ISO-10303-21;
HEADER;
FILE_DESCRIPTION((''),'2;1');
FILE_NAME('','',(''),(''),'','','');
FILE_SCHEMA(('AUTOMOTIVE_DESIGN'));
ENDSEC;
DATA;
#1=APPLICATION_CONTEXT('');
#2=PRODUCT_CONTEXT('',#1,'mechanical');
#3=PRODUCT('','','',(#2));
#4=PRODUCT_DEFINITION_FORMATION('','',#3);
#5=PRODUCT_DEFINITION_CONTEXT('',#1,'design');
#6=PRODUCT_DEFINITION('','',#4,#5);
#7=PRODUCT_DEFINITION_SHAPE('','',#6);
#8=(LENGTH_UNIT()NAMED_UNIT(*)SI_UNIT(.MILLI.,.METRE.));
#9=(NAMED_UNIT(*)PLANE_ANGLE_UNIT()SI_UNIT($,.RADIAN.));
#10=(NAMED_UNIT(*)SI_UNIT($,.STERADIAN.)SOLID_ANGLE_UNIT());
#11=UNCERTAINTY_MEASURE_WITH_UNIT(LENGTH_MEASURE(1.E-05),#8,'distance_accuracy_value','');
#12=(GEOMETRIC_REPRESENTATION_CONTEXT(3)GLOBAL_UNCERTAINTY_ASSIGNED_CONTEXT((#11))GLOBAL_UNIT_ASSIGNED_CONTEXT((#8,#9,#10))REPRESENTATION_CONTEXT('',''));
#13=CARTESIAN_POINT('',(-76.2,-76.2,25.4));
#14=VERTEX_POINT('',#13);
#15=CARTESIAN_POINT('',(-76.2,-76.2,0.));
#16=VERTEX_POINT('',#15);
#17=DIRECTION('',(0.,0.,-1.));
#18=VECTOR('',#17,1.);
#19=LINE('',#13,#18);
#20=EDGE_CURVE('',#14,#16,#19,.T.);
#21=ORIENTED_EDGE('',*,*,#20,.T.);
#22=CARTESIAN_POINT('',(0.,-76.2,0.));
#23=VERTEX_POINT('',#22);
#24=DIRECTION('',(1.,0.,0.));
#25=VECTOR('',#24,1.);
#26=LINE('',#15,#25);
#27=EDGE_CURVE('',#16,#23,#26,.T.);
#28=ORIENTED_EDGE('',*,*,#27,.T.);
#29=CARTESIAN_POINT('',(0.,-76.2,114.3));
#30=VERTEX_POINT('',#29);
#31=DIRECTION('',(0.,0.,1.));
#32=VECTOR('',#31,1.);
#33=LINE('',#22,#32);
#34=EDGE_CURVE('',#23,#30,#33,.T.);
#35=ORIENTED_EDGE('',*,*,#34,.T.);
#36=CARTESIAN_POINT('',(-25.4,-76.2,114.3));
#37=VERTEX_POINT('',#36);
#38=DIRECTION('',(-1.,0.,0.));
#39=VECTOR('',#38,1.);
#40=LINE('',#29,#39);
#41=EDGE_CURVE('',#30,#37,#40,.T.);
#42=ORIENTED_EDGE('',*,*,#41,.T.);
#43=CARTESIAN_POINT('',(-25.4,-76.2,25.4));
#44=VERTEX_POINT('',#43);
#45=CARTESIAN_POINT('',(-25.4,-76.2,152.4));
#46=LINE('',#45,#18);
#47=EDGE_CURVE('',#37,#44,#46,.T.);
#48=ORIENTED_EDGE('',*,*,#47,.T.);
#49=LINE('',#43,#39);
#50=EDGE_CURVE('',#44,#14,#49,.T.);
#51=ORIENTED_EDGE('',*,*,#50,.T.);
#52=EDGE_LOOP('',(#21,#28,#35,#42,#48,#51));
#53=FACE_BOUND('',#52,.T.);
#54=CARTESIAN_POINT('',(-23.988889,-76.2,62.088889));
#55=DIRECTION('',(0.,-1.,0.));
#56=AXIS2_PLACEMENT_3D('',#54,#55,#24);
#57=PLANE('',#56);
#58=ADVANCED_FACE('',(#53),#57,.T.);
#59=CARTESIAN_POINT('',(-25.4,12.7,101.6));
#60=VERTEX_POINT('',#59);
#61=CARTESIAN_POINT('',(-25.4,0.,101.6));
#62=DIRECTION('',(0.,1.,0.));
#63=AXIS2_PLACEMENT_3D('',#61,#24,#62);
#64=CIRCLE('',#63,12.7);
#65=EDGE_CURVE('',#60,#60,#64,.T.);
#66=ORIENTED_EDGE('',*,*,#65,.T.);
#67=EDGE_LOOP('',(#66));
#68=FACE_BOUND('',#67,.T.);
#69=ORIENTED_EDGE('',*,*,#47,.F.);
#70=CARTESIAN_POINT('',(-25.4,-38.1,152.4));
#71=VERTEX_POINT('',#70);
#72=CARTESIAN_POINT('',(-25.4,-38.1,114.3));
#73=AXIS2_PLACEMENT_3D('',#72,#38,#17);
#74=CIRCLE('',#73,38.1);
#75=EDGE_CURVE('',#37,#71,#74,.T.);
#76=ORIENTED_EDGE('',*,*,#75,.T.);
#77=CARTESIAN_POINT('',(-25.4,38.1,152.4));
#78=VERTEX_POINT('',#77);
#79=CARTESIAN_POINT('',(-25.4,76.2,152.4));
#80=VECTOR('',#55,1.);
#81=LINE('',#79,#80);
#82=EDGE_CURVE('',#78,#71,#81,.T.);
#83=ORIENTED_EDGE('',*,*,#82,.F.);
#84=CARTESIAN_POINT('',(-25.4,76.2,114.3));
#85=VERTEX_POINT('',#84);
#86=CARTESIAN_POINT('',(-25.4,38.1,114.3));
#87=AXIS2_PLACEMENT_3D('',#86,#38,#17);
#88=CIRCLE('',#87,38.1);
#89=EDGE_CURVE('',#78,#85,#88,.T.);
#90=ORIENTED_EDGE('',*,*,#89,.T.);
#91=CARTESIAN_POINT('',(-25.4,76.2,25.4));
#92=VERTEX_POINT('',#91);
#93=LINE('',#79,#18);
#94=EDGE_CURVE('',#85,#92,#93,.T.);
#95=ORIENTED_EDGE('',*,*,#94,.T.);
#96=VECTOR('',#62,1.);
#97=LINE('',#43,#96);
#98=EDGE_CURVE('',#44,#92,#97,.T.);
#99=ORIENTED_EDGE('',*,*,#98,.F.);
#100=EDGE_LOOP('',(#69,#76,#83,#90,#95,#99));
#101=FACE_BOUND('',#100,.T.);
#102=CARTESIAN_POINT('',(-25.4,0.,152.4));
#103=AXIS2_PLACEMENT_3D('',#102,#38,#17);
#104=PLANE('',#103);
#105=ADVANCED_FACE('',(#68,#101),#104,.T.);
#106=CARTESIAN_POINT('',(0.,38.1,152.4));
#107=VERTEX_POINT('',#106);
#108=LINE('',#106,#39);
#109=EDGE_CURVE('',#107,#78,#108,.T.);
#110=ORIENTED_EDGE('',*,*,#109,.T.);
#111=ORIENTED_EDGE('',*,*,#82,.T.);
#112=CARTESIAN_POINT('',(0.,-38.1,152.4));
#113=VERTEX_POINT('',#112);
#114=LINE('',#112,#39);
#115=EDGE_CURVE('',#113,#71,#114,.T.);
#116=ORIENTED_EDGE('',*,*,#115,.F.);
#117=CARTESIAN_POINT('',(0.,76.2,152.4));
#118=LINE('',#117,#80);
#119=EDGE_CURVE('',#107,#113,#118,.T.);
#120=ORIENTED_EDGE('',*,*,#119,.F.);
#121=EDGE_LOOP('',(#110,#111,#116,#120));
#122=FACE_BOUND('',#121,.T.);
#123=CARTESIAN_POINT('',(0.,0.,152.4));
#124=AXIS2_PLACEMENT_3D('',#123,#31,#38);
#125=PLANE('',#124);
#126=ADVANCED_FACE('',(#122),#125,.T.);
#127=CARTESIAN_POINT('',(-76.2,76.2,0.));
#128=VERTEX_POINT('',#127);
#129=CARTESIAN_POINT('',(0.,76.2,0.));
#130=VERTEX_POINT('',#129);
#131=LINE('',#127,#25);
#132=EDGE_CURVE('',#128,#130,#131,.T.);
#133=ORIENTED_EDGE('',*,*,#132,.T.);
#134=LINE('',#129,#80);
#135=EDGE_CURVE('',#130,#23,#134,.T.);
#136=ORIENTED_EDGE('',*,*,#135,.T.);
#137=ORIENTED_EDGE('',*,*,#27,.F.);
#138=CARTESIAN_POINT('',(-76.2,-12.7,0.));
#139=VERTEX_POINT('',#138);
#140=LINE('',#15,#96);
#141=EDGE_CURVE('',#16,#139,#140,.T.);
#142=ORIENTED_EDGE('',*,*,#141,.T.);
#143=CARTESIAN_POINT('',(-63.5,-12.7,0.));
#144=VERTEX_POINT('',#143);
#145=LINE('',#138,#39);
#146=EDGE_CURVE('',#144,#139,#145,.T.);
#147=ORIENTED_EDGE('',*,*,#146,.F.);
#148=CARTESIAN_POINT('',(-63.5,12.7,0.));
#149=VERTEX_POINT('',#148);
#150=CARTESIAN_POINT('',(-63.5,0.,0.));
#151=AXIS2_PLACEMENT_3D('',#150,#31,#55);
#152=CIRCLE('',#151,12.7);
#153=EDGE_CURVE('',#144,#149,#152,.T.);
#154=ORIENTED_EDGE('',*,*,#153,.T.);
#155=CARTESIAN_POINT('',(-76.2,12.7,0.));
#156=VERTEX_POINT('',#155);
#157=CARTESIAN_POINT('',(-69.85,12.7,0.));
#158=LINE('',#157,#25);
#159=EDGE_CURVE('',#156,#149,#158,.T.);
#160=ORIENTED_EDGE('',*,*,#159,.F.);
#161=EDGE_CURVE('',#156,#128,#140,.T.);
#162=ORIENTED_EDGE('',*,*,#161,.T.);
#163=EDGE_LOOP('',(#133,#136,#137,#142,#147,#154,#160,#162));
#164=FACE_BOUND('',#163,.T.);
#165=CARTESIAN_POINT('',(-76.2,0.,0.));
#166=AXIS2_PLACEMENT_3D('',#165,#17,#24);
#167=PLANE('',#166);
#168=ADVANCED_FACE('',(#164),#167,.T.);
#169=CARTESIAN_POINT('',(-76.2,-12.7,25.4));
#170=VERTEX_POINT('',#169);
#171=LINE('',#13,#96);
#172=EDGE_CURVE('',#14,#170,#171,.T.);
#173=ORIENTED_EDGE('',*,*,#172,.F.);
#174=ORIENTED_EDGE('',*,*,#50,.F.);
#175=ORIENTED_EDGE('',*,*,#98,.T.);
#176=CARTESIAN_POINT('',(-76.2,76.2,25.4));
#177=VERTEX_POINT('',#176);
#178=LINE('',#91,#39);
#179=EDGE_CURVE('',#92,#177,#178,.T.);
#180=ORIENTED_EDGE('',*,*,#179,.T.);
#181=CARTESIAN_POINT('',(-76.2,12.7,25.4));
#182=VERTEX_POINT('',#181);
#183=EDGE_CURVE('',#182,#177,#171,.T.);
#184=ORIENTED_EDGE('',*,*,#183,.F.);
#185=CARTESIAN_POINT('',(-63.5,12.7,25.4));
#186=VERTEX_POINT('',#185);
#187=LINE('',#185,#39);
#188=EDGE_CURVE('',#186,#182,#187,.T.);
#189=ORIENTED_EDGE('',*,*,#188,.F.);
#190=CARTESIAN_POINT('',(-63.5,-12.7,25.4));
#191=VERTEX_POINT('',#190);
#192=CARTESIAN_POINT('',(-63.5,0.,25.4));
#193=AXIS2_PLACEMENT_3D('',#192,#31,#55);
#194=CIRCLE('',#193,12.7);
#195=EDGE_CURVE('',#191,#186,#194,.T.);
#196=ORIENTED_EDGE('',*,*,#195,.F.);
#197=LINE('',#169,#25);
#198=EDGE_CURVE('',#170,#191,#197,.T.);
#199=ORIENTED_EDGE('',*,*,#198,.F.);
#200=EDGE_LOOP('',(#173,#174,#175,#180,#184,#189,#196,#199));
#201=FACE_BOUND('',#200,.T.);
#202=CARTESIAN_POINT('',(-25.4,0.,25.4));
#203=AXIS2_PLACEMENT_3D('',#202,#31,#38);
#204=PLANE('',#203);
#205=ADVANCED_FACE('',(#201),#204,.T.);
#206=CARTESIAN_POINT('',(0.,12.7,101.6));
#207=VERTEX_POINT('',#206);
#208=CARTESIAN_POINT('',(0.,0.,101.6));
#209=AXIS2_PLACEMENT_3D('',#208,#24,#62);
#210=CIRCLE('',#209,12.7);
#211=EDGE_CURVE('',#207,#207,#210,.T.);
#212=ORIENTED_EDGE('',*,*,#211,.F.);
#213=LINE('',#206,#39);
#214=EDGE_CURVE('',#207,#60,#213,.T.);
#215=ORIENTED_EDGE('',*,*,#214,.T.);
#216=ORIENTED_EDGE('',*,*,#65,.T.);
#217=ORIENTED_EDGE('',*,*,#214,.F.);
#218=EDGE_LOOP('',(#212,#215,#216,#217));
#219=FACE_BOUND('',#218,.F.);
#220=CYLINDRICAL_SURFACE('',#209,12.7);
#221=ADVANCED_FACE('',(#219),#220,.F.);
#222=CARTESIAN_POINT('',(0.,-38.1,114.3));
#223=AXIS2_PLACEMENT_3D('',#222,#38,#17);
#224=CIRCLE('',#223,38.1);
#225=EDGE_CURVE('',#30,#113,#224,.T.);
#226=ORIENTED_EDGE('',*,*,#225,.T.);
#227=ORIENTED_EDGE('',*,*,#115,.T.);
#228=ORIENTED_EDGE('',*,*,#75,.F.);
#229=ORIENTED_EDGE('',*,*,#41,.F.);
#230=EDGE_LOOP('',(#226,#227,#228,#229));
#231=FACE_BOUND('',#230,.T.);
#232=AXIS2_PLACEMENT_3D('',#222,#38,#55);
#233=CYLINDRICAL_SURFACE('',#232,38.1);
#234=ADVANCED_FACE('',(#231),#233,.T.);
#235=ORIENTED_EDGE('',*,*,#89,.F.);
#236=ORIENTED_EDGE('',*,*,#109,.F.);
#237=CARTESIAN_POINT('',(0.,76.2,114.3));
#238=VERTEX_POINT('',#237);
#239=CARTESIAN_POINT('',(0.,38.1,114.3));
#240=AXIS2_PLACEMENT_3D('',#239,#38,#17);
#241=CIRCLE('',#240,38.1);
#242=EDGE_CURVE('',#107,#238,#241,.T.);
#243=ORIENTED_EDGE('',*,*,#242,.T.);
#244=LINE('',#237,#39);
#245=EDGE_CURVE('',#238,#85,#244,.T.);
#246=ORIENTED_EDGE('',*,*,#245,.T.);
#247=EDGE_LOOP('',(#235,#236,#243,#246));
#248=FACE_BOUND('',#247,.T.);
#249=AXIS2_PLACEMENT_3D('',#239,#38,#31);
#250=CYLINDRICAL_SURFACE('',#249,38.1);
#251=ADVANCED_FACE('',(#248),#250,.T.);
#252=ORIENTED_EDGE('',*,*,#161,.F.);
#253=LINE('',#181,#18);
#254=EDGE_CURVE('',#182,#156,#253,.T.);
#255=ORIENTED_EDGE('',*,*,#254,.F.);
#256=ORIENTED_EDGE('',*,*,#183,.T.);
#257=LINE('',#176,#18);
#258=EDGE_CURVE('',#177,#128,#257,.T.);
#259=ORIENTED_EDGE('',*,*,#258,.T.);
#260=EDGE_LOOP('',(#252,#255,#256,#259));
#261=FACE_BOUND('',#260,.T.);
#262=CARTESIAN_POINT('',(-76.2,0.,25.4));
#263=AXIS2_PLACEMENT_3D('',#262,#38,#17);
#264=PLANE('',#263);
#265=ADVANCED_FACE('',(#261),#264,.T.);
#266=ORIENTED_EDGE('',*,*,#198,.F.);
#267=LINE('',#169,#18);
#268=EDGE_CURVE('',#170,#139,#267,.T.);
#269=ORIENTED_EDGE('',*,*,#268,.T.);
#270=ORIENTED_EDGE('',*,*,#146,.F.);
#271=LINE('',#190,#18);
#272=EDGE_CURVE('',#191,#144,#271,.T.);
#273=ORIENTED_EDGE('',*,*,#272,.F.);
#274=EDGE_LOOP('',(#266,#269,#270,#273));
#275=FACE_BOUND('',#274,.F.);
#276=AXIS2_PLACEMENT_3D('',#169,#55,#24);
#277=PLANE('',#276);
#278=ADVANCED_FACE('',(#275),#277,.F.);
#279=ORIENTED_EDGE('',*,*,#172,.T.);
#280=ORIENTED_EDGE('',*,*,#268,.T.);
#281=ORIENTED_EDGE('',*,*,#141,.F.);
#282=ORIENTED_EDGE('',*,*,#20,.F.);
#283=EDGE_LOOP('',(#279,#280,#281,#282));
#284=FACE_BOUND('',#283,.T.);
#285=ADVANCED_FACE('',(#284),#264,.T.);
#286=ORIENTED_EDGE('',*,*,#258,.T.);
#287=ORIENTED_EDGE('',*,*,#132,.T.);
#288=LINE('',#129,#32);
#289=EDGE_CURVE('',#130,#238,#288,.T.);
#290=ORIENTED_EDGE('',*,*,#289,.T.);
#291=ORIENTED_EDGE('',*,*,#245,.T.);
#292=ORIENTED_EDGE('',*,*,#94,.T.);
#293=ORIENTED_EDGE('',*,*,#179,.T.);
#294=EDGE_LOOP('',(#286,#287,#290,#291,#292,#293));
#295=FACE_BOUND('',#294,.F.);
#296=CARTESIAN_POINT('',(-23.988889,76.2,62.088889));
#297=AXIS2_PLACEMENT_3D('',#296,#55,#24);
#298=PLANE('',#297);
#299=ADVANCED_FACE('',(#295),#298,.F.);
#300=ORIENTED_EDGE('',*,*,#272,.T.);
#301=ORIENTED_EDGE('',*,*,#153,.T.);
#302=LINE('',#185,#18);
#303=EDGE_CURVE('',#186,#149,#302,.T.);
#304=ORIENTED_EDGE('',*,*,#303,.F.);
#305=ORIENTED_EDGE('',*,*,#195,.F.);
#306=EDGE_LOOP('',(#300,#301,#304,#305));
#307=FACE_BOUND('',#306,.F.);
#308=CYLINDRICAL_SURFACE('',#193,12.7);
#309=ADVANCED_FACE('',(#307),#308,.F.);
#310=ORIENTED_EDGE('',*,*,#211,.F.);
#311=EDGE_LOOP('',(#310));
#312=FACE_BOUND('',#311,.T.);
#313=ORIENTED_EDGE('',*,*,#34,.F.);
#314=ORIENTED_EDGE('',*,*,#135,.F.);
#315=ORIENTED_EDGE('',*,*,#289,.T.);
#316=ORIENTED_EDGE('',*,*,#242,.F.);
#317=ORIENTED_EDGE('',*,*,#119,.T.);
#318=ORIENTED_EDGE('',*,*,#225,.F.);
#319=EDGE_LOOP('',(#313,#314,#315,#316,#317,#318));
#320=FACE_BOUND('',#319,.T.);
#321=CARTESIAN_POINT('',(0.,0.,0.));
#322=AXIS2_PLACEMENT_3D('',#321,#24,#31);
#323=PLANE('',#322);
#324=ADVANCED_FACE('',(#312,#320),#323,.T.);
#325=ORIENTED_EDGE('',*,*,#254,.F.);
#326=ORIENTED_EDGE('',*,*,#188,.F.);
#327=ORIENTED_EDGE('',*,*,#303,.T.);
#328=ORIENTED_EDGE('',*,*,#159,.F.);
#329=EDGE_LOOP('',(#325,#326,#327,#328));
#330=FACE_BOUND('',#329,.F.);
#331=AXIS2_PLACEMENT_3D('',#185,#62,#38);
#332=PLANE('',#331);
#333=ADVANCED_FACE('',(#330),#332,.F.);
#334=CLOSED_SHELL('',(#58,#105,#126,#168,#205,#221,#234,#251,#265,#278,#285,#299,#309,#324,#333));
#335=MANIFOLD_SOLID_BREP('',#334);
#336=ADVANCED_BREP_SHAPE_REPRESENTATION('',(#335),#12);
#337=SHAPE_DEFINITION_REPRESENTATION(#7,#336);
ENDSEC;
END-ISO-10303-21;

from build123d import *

# Parameters (mm, degrees)
F1_DEPTH      = 76.2
F1_DEPTH_BACK = 76.2
F2_R          = 12.7
F3_DEPTH      = 76.201
F5_DEPTH      = 25.401
F6_R          = 38.1
F7_R          = 38.1


with BuildPart() as f1:
    # F0 (on Front) → F1 (new body, two sides)
    with BuildSketch(Plane.XZ) as f1_sk:
        Polygon((-76.2, 0), (0, 0), (0, 152.4), (-25.4, 152.4), (-25.4, 25.4), (-76.2, 25.4), align=None)
    extrude(amount=F1_DEPTH)
    extrude(f1_sk.sketch, amount=-F1_DEPTH_BACK)

    # F2 (on face) → F3 (cut, through all)
    with BuildSketch(Plane.YZ):
        with Locations((0, 101.6)):
            Circle(F2_R)
    extrude(amount=-F3_DEPTH, mode=Mode.SUBTRACT)

    # F4 (on face) → F5 (cut, through all)
    with BuildSketch(Plane.XY.offset(25.4)):
        with BuildLine():
            Line((-63.5, 12.7), (-76.2, 12.7))
            Line((-76.2, 12.7), (-76.2, -12.7))
            Line((-76.2, -12.7), (-63.5, -12.7))
            ThreePointArc((-63.5, -12.7), (-50.8, 0), (-63.5, 12.7))
        make_face()
    extrude(amount=-F5_DEPTH, mode=Mode.SUBTRACT)

    # F6
    f6_edges = [f1.edges().sort_by_distance(p)[0] for p in [
        (-12.7, -76.2, 152.4),
    ]]
    fillet(f6_edges, radius=F6_R)

    # F7
    f7_edges = [f1.edges().sort_by_distance(p)[0] for p in [
        (-12.7, 76.2, 152.4),
    ]]
    fillet(f7_edges, radius=F7_R)


solid = f1.part
